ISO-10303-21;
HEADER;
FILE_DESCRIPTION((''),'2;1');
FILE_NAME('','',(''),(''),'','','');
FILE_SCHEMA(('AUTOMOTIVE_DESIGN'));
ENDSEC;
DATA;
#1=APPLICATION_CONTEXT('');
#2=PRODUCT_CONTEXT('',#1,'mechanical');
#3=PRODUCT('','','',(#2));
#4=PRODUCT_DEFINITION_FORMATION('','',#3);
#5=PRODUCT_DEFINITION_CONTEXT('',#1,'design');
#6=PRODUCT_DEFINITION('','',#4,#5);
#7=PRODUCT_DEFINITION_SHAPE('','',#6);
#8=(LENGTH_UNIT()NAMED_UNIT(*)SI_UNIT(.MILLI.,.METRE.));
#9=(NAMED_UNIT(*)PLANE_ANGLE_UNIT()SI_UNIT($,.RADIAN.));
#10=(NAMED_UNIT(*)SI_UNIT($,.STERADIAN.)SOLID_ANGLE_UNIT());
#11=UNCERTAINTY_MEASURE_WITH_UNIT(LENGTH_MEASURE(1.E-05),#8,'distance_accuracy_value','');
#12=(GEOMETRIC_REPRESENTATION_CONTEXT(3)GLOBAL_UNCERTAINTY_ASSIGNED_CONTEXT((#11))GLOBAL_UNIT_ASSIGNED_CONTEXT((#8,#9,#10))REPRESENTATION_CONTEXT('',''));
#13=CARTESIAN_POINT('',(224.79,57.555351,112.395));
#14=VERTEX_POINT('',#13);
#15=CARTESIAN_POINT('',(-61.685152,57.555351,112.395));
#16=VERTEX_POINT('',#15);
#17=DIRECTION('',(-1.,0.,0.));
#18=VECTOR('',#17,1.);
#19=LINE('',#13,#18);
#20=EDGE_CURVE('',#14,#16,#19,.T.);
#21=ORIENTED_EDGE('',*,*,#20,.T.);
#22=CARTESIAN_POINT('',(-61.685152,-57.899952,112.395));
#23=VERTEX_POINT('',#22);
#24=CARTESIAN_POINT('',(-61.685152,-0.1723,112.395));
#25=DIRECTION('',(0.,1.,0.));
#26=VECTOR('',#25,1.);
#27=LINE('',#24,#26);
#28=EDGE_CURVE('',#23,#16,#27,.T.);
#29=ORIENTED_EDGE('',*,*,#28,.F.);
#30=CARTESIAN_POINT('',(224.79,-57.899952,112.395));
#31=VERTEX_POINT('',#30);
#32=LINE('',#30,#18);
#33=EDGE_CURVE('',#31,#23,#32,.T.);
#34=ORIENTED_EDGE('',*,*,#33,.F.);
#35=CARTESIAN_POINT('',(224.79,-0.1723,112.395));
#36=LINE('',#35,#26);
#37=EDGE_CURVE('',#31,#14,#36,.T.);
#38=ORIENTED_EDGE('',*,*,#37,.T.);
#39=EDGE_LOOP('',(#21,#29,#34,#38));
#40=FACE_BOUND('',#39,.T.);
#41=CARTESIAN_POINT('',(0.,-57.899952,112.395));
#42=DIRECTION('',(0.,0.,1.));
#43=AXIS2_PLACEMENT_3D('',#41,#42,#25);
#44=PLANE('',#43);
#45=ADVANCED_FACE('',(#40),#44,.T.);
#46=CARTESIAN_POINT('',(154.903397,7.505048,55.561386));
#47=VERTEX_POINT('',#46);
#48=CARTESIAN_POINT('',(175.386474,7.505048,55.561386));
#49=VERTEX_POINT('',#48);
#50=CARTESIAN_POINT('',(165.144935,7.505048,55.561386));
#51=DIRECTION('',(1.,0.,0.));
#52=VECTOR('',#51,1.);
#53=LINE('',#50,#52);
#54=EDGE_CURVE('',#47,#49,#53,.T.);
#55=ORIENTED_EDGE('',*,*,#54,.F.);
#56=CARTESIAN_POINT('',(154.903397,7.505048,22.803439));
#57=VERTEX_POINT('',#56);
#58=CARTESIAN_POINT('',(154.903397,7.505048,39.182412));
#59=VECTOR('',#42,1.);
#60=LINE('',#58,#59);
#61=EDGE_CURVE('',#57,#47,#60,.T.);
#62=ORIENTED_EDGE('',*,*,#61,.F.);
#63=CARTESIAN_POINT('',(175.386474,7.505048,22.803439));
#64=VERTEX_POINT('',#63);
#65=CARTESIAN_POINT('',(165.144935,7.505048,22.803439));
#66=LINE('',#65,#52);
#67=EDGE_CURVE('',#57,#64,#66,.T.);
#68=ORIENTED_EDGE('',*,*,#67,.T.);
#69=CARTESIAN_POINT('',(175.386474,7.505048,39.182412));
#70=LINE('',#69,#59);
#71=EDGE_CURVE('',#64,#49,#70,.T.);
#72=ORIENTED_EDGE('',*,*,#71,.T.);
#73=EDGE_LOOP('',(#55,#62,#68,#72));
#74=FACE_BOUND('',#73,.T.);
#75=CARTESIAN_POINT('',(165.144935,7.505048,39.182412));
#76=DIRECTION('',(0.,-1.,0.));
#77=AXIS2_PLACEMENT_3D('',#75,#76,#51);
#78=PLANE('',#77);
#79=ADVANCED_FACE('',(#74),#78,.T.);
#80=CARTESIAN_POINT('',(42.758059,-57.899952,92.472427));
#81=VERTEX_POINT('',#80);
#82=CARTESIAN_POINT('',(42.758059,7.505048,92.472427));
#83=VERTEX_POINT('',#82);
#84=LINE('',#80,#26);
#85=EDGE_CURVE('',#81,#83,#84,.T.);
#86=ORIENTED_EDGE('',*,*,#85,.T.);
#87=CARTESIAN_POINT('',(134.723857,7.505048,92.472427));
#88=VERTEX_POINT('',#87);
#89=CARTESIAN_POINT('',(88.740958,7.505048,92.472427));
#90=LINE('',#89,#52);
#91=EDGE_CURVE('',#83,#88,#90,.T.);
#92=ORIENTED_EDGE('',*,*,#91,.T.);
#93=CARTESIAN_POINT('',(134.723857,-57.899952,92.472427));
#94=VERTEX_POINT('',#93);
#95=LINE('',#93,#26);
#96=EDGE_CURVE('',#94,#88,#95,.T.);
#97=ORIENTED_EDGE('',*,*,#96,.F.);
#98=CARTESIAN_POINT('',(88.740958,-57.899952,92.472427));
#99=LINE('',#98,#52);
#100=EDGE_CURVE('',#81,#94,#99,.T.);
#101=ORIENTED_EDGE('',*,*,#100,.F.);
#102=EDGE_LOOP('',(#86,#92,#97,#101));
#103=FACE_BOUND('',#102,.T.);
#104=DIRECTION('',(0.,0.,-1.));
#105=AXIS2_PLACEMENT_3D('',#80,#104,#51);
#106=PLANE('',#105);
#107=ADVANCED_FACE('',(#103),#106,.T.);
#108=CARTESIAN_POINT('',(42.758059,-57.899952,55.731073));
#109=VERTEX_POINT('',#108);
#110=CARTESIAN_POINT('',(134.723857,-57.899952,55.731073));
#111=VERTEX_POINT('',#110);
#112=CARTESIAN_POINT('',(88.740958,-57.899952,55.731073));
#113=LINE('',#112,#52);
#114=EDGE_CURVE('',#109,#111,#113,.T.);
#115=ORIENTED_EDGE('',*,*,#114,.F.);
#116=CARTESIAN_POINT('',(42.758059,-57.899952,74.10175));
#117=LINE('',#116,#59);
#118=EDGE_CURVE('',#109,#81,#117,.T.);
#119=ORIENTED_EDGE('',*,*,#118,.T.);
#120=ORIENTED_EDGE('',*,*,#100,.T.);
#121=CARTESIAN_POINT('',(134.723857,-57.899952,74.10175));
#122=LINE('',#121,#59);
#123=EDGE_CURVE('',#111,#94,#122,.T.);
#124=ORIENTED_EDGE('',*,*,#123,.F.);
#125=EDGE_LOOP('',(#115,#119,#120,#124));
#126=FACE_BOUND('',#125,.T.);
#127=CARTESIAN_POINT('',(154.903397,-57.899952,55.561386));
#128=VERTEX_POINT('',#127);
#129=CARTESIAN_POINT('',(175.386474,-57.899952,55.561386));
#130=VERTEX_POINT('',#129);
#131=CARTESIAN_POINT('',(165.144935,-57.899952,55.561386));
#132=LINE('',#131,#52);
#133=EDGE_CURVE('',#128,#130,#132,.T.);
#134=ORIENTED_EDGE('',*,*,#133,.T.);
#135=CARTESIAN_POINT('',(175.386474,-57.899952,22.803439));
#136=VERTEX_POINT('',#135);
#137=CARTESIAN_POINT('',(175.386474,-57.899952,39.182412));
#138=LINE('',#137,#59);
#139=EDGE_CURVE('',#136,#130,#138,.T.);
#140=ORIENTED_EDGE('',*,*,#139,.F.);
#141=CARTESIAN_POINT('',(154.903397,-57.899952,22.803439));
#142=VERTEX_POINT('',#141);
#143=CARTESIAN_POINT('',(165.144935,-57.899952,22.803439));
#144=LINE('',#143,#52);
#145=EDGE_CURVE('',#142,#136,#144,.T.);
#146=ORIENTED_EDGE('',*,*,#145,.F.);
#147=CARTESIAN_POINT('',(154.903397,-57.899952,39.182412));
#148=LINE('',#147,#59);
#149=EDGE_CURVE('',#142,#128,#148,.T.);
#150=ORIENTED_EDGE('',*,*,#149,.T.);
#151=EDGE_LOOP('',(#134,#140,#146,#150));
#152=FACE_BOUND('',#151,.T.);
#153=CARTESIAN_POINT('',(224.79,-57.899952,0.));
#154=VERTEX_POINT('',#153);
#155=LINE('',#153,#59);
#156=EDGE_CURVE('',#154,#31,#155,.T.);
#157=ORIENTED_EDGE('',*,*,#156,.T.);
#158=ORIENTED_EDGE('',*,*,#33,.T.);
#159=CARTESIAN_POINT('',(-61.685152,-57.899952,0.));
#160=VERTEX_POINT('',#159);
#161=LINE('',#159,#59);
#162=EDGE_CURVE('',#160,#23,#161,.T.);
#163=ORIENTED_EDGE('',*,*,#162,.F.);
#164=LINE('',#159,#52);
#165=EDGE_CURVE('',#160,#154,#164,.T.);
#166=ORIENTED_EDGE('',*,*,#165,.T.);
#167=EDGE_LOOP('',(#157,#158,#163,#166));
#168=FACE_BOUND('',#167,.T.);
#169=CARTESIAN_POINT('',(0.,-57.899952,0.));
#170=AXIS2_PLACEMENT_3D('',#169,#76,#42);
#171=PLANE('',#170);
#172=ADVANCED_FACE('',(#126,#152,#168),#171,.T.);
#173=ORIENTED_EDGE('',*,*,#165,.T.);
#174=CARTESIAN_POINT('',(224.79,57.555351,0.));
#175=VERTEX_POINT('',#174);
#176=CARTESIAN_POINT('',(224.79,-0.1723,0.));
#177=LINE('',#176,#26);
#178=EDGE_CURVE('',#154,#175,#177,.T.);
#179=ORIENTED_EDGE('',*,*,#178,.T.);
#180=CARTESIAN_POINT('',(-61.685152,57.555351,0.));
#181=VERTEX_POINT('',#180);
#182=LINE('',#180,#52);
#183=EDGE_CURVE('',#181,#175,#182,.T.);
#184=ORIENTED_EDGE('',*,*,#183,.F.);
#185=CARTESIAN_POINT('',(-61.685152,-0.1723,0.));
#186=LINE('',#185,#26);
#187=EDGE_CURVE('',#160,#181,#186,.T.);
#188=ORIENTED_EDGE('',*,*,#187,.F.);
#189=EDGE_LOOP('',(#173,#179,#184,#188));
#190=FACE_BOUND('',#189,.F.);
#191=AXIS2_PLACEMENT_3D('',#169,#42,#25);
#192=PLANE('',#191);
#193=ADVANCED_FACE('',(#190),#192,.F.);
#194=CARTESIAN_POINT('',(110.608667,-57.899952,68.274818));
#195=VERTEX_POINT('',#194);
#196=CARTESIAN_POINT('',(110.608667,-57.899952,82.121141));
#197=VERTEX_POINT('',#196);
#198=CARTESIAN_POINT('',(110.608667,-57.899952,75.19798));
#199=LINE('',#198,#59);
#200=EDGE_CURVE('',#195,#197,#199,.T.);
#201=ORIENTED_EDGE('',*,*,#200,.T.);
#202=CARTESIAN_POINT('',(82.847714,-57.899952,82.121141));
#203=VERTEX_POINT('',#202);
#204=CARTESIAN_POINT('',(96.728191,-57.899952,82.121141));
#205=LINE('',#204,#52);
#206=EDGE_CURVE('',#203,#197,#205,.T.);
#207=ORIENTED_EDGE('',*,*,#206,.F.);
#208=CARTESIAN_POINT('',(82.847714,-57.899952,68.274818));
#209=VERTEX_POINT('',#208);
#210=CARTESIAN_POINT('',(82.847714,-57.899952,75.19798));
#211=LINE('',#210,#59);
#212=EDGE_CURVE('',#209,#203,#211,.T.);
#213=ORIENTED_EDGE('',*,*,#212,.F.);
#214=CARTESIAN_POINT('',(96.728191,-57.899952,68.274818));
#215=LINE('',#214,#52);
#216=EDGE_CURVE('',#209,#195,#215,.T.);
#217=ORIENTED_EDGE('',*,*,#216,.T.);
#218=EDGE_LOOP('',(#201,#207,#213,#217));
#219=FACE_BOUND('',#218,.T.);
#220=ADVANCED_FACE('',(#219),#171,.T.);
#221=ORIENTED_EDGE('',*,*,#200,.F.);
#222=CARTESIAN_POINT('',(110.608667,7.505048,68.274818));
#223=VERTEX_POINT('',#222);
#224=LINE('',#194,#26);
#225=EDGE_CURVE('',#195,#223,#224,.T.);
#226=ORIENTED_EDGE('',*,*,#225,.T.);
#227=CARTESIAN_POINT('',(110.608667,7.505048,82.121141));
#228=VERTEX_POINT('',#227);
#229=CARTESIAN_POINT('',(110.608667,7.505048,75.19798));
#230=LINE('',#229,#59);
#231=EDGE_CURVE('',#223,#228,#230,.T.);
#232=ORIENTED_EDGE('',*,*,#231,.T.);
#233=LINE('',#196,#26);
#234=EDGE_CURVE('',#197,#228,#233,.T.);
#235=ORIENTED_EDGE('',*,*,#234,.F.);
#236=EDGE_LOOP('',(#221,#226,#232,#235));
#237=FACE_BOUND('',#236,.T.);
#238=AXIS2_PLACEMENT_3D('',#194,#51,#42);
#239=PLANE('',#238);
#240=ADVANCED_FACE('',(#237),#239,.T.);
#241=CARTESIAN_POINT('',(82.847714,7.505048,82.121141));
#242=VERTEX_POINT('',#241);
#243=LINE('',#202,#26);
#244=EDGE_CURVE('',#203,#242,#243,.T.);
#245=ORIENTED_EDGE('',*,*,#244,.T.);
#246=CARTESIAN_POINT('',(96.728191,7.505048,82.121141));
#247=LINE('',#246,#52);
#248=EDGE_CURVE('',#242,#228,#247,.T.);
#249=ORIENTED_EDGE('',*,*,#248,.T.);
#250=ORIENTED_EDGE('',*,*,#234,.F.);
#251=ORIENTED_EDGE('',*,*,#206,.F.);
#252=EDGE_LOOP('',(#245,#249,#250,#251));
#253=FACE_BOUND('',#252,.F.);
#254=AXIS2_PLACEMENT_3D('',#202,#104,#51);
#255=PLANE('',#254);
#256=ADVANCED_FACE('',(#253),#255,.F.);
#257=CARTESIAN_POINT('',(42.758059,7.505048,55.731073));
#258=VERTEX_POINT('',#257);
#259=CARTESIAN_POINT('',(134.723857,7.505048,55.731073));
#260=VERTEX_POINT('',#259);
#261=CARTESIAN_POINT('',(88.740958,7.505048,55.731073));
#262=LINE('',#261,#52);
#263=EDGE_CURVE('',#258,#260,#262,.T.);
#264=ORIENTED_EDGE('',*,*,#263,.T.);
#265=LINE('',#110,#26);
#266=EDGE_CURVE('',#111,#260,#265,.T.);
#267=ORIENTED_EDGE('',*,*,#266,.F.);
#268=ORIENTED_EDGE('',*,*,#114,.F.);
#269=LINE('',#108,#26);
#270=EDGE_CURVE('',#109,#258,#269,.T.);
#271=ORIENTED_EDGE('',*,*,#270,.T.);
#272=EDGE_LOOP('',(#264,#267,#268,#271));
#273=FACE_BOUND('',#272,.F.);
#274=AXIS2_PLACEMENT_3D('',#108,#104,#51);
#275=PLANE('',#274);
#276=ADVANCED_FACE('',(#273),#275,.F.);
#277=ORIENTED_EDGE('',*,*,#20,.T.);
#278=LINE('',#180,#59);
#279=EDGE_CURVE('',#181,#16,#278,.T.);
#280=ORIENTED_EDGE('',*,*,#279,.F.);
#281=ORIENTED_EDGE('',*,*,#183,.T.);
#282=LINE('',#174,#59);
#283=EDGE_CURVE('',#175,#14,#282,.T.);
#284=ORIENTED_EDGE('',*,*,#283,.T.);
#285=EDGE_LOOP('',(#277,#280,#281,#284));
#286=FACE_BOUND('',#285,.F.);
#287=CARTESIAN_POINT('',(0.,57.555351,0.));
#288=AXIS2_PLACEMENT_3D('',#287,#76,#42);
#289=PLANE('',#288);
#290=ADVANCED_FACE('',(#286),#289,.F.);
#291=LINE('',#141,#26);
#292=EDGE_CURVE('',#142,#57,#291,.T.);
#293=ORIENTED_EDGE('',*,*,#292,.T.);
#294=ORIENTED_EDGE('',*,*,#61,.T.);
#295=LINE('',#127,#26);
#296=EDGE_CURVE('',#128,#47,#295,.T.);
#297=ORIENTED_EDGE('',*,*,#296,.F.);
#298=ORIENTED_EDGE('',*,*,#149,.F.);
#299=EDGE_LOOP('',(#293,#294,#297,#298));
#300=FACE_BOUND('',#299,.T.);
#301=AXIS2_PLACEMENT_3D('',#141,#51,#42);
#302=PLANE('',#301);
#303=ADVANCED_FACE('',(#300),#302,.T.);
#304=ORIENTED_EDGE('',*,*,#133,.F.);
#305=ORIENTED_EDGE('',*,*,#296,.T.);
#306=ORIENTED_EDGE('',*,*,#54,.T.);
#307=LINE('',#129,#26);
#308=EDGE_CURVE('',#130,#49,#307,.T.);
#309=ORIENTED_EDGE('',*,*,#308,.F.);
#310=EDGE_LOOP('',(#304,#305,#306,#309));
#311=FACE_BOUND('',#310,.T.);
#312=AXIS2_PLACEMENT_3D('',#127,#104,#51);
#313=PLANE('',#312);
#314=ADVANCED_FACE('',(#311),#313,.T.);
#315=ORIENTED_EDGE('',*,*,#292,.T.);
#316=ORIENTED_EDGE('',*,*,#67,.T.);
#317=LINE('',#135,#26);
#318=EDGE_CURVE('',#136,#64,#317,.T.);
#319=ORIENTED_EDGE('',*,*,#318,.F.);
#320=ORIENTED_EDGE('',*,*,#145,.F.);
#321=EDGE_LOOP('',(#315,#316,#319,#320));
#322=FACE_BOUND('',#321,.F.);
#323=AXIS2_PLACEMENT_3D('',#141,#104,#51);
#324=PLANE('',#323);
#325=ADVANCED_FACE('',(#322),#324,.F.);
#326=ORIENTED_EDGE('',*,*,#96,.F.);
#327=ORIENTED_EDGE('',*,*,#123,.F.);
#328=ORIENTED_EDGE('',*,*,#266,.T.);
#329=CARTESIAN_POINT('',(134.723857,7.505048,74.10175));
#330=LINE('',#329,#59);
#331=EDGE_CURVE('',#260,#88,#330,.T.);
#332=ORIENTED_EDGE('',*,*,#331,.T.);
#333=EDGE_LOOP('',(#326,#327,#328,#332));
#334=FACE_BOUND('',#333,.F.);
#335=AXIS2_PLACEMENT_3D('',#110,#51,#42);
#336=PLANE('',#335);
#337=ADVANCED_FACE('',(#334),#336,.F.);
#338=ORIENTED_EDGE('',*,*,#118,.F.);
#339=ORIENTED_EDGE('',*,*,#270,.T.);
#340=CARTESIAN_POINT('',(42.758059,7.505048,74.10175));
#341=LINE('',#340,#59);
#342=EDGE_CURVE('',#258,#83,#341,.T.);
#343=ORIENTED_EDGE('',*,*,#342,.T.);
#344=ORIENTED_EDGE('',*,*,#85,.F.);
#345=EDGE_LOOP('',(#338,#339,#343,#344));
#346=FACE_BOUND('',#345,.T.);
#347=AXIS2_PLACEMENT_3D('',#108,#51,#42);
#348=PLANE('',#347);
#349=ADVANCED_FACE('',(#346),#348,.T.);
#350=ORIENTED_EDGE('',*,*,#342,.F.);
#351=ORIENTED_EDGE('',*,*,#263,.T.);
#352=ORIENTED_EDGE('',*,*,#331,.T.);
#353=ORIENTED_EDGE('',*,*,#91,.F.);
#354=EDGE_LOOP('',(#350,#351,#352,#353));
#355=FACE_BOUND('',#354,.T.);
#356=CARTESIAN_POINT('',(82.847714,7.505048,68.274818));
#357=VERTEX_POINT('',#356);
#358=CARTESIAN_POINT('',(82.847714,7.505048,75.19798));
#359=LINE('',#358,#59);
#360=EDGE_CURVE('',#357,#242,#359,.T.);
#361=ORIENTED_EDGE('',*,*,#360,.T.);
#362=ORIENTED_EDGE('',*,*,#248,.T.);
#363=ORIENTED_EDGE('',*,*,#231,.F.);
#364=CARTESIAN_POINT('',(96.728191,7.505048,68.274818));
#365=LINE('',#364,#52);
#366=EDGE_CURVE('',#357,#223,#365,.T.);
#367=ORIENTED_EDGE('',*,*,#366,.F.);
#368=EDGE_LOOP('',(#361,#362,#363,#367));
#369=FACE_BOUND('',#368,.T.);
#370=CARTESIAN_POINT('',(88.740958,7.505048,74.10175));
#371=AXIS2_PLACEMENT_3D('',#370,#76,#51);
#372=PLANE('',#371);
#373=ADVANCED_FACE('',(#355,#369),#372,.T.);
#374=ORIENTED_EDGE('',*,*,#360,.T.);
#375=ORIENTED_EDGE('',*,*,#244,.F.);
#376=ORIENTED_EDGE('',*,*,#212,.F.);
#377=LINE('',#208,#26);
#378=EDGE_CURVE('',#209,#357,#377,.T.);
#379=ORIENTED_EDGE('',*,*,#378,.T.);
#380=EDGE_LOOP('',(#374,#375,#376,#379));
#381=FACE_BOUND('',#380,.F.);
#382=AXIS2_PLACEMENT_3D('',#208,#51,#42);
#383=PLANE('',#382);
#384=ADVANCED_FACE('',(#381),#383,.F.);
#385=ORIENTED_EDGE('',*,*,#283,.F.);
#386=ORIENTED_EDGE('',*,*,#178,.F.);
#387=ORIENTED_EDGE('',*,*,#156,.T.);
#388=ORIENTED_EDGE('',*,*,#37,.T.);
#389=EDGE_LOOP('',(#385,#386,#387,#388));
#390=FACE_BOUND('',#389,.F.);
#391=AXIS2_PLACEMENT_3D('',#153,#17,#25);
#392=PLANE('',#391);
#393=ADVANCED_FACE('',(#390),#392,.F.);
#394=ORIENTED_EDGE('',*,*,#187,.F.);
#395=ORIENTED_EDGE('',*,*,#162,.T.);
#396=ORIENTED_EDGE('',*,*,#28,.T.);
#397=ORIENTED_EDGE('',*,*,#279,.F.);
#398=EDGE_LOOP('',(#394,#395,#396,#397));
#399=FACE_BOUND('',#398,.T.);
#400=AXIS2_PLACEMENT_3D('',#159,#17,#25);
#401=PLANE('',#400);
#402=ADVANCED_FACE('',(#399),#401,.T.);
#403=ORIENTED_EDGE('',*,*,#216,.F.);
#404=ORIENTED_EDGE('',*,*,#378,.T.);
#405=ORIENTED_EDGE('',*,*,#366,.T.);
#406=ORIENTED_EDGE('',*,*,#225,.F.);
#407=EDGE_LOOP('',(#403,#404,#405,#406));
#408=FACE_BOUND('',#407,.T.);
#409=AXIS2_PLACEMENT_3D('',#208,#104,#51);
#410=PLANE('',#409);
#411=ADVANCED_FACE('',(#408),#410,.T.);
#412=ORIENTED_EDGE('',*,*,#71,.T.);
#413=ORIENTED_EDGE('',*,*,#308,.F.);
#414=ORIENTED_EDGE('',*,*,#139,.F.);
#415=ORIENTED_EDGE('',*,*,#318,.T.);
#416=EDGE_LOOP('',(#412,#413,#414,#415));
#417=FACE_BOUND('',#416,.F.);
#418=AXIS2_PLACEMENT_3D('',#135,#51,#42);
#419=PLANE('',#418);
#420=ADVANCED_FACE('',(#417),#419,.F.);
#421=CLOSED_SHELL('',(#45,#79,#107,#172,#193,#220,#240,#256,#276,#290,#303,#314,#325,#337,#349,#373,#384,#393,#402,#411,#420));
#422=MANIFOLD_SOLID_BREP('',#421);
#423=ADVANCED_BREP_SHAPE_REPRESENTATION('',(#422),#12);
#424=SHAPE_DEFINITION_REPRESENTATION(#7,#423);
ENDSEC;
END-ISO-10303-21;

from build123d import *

# Parameters (mm, degrees)
F0_W     = 61.6851523519
F0_H     = 115.4553033412
F1_DEPTH = 112.395
F2_DEPTH = 224.79
F3_W     = 91.9657982886
F3_H     = 36.7413535714
F3_W_2   = 27.7609527111
F3_H_2   = 13.8463228941
F3_W_3   = 20.4830765724
F3_H_3   = 32.7579472214
F4_DEPTH = 65.405


with BuildPart() as f1:
    # F0 (on Top) → F1 (new body)
    with BuildSketch(Plane.XY):
        with Locations((-30.8425761759, -0.1723002642)):
            Rectangle(F0_W, F0_H)
    extrude(amount=F1_DEPTH)

    # F2 (add): a face of the model
    f2_faces = [f1.faces().sort_by_distance(p)[0] for p in [
        (0, -0.1723002642, 56.1975),
    ]]
    extrude(f2_faces, amount=F2_DEPTH)

    # F3 (on face) → F4 (cut)
    with BuildSketch(Plane.XZ.offset(57.8999519348)):
        with Locations((88.7409579009, 74.1017498076)):
            Rectangle(F3_W, F3_H)
        with Locations((96.7281907797, 75.1979798079)):
            Rectangle(F3_W_2, F3_H_2, mode=Mode.SUBTRACT)
        with Locations((165.1449352503, 39.1824124381)):
            Rectangle(F3_W_3, F3_H_3)
    extrude(amount=-F4_DEPTH, mode=Mode.SUBTRACT)


solid = f1.part
